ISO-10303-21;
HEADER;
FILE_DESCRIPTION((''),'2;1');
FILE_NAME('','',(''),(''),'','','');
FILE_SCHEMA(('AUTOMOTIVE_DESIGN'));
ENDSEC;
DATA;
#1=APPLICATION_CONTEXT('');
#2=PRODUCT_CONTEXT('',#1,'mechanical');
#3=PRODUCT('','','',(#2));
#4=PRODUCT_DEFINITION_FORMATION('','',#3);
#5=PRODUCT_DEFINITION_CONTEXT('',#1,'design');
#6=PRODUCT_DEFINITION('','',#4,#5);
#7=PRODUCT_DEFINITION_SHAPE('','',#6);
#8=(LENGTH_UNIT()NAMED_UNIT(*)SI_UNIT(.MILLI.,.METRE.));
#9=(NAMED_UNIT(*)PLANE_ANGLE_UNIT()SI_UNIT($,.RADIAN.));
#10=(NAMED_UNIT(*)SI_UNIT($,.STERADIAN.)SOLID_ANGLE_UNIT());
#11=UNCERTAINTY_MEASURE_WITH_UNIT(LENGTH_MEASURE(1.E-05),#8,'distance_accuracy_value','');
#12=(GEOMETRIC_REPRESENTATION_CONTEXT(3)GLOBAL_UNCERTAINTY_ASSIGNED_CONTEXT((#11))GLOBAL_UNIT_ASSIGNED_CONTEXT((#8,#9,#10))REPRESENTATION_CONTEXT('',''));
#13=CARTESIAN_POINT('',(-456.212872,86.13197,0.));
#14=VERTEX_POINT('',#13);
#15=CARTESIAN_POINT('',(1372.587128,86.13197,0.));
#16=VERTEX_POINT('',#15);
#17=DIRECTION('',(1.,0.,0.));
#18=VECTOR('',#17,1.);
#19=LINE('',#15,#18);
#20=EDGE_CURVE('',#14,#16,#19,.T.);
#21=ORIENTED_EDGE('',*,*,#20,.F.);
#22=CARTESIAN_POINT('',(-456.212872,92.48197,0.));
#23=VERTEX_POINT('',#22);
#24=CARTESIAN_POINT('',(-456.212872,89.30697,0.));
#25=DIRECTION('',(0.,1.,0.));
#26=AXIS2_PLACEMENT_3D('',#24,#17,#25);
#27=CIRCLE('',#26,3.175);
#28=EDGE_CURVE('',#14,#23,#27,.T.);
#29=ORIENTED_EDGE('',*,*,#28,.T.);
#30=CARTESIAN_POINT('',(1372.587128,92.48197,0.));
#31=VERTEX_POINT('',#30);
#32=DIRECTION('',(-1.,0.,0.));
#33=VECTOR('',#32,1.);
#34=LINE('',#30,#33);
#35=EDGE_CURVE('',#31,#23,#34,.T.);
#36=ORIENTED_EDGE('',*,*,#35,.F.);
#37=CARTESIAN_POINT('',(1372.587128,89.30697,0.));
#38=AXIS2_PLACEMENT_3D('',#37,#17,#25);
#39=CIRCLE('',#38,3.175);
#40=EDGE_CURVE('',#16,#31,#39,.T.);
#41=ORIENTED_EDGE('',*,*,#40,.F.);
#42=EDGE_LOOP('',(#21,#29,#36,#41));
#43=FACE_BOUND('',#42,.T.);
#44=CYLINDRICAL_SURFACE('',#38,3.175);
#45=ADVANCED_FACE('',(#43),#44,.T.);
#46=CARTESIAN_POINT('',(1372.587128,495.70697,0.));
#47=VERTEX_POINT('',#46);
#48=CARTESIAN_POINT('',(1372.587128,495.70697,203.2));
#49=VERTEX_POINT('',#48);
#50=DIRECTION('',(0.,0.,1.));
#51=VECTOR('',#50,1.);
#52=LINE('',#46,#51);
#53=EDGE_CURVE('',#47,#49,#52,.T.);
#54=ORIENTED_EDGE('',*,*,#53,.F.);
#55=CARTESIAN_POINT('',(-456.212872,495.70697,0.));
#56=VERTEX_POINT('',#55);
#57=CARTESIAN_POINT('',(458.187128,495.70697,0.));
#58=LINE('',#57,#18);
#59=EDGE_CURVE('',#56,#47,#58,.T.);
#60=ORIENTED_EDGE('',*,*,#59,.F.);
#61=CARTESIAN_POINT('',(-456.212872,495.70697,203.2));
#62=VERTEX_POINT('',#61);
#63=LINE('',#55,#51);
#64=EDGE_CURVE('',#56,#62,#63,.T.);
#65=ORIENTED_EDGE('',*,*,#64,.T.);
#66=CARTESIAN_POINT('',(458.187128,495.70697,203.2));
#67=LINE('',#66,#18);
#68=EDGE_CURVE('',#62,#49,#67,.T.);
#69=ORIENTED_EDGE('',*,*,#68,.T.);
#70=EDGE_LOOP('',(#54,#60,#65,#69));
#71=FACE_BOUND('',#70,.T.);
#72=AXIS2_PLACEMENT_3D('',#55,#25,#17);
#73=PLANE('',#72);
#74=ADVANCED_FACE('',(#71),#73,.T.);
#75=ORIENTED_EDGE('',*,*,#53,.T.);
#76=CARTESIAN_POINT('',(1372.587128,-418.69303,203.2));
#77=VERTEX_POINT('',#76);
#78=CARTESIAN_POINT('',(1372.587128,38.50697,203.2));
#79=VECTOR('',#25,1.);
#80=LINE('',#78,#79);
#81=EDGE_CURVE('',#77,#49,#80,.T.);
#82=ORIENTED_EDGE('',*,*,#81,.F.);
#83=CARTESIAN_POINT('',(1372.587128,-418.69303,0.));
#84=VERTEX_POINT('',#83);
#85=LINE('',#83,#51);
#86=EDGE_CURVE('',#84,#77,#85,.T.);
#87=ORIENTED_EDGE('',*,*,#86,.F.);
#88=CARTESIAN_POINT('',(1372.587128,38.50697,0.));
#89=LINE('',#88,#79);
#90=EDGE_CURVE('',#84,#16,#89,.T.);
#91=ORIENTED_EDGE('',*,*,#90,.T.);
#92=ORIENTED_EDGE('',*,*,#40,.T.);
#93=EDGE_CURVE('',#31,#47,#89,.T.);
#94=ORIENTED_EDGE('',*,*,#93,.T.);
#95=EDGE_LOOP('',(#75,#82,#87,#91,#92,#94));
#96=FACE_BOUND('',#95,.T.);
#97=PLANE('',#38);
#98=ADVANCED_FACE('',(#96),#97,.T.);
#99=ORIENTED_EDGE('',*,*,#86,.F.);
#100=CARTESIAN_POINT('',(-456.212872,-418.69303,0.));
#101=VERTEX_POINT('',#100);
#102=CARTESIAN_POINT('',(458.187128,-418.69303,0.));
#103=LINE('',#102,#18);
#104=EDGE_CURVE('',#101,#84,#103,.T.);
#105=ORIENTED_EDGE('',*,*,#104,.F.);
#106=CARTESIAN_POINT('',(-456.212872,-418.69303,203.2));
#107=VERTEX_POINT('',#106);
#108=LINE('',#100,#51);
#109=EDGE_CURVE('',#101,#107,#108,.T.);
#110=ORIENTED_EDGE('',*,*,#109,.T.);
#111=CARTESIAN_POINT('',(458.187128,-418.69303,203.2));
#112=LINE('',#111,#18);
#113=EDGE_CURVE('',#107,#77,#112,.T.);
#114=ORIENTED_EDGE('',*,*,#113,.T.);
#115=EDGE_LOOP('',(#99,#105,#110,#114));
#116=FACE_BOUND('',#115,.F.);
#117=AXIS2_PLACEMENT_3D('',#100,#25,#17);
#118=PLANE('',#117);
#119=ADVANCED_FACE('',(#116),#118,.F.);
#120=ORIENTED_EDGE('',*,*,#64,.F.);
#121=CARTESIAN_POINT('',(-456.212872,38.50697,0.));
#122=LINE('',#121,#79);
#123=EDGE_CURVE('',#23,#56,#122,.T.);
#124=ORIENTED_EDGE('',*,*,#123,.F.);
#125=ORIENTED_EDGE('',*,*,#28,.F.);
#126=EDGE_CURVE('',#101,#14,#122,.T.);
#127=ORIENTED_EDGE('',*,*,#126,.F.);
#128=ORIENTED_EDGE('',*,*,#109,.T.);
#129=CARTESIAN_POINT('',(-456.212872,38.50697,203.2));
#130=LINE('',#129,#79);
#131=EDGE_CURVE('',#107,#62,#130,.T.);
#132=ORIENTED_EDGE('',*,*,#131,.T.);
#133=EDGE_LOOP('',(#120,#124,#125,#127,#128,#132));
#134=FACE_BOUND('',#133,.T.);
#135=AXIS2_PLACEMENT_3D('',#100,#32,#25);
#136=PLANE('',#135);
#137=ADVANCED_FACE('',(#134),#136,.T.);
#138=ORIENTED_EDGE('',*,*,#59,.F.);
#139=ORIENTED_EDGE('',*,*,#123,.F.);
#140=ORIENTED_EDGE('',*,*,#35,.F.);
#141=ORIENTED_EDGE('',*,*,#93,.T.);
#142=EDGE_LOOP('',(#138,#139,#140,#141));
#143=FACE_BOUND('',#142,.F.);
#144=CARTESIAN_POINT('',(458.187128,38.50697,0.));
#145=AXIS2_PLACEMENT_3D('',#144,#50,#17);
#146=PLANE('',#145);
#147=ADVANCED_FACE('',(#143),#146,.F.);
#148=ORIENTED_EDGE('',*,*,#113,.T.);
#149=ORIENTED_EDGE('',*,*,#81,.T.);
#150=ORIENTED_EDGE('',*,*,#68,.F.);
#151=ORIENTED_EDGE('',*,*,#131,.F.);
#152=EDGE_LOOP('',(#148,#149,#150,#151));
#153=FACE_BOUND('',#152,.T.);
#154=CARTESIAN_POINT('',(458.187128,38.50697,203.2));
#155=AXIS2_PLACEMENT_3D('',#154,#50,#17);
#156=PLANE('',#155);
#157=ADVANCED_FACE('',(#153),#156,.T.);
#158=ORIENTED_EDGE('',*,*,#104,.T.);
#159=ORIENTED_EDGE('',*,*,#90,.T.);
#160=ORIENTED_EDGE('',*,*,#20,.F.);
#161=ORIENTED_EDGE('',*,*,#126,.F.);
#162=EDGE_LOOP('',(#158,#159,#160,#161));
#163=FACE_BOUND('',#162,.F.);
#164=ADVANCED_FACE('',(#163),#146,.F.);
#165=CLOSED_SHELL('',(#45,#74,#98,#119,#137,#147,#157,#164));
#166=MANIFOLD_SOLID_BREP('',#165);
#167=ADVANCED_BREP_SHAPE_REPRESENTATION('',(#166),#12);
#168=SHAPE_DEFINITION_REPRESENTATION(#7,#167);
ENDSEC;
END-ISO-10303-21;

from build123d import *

# Parameters (mm, degrees)
F0_W     = 1828.8
F0_H     = 914.4
F1_DEPTH = 203.2
F3_R     = 3.175
F4_DEPTH = 1828.8


with BuildPart() as f1:
    # F0 (on Top) → F1 (new body)
    with BuildSketch(Plane.XY):
        with Locations((458.187128, 38.50697)):
            Rectangle(F0_W, F0_H)
    extrude(amount=F1_DEPTH)

    # F3 (on face) → F4 (join)
    with BuildSketch(Plane.YZ.offset(1372.587128)):
        with Locations((89.30697, 0)):
            Circle(F3_R)
    extrude(amount=-F4_DEPTH)


solid = f1.part
